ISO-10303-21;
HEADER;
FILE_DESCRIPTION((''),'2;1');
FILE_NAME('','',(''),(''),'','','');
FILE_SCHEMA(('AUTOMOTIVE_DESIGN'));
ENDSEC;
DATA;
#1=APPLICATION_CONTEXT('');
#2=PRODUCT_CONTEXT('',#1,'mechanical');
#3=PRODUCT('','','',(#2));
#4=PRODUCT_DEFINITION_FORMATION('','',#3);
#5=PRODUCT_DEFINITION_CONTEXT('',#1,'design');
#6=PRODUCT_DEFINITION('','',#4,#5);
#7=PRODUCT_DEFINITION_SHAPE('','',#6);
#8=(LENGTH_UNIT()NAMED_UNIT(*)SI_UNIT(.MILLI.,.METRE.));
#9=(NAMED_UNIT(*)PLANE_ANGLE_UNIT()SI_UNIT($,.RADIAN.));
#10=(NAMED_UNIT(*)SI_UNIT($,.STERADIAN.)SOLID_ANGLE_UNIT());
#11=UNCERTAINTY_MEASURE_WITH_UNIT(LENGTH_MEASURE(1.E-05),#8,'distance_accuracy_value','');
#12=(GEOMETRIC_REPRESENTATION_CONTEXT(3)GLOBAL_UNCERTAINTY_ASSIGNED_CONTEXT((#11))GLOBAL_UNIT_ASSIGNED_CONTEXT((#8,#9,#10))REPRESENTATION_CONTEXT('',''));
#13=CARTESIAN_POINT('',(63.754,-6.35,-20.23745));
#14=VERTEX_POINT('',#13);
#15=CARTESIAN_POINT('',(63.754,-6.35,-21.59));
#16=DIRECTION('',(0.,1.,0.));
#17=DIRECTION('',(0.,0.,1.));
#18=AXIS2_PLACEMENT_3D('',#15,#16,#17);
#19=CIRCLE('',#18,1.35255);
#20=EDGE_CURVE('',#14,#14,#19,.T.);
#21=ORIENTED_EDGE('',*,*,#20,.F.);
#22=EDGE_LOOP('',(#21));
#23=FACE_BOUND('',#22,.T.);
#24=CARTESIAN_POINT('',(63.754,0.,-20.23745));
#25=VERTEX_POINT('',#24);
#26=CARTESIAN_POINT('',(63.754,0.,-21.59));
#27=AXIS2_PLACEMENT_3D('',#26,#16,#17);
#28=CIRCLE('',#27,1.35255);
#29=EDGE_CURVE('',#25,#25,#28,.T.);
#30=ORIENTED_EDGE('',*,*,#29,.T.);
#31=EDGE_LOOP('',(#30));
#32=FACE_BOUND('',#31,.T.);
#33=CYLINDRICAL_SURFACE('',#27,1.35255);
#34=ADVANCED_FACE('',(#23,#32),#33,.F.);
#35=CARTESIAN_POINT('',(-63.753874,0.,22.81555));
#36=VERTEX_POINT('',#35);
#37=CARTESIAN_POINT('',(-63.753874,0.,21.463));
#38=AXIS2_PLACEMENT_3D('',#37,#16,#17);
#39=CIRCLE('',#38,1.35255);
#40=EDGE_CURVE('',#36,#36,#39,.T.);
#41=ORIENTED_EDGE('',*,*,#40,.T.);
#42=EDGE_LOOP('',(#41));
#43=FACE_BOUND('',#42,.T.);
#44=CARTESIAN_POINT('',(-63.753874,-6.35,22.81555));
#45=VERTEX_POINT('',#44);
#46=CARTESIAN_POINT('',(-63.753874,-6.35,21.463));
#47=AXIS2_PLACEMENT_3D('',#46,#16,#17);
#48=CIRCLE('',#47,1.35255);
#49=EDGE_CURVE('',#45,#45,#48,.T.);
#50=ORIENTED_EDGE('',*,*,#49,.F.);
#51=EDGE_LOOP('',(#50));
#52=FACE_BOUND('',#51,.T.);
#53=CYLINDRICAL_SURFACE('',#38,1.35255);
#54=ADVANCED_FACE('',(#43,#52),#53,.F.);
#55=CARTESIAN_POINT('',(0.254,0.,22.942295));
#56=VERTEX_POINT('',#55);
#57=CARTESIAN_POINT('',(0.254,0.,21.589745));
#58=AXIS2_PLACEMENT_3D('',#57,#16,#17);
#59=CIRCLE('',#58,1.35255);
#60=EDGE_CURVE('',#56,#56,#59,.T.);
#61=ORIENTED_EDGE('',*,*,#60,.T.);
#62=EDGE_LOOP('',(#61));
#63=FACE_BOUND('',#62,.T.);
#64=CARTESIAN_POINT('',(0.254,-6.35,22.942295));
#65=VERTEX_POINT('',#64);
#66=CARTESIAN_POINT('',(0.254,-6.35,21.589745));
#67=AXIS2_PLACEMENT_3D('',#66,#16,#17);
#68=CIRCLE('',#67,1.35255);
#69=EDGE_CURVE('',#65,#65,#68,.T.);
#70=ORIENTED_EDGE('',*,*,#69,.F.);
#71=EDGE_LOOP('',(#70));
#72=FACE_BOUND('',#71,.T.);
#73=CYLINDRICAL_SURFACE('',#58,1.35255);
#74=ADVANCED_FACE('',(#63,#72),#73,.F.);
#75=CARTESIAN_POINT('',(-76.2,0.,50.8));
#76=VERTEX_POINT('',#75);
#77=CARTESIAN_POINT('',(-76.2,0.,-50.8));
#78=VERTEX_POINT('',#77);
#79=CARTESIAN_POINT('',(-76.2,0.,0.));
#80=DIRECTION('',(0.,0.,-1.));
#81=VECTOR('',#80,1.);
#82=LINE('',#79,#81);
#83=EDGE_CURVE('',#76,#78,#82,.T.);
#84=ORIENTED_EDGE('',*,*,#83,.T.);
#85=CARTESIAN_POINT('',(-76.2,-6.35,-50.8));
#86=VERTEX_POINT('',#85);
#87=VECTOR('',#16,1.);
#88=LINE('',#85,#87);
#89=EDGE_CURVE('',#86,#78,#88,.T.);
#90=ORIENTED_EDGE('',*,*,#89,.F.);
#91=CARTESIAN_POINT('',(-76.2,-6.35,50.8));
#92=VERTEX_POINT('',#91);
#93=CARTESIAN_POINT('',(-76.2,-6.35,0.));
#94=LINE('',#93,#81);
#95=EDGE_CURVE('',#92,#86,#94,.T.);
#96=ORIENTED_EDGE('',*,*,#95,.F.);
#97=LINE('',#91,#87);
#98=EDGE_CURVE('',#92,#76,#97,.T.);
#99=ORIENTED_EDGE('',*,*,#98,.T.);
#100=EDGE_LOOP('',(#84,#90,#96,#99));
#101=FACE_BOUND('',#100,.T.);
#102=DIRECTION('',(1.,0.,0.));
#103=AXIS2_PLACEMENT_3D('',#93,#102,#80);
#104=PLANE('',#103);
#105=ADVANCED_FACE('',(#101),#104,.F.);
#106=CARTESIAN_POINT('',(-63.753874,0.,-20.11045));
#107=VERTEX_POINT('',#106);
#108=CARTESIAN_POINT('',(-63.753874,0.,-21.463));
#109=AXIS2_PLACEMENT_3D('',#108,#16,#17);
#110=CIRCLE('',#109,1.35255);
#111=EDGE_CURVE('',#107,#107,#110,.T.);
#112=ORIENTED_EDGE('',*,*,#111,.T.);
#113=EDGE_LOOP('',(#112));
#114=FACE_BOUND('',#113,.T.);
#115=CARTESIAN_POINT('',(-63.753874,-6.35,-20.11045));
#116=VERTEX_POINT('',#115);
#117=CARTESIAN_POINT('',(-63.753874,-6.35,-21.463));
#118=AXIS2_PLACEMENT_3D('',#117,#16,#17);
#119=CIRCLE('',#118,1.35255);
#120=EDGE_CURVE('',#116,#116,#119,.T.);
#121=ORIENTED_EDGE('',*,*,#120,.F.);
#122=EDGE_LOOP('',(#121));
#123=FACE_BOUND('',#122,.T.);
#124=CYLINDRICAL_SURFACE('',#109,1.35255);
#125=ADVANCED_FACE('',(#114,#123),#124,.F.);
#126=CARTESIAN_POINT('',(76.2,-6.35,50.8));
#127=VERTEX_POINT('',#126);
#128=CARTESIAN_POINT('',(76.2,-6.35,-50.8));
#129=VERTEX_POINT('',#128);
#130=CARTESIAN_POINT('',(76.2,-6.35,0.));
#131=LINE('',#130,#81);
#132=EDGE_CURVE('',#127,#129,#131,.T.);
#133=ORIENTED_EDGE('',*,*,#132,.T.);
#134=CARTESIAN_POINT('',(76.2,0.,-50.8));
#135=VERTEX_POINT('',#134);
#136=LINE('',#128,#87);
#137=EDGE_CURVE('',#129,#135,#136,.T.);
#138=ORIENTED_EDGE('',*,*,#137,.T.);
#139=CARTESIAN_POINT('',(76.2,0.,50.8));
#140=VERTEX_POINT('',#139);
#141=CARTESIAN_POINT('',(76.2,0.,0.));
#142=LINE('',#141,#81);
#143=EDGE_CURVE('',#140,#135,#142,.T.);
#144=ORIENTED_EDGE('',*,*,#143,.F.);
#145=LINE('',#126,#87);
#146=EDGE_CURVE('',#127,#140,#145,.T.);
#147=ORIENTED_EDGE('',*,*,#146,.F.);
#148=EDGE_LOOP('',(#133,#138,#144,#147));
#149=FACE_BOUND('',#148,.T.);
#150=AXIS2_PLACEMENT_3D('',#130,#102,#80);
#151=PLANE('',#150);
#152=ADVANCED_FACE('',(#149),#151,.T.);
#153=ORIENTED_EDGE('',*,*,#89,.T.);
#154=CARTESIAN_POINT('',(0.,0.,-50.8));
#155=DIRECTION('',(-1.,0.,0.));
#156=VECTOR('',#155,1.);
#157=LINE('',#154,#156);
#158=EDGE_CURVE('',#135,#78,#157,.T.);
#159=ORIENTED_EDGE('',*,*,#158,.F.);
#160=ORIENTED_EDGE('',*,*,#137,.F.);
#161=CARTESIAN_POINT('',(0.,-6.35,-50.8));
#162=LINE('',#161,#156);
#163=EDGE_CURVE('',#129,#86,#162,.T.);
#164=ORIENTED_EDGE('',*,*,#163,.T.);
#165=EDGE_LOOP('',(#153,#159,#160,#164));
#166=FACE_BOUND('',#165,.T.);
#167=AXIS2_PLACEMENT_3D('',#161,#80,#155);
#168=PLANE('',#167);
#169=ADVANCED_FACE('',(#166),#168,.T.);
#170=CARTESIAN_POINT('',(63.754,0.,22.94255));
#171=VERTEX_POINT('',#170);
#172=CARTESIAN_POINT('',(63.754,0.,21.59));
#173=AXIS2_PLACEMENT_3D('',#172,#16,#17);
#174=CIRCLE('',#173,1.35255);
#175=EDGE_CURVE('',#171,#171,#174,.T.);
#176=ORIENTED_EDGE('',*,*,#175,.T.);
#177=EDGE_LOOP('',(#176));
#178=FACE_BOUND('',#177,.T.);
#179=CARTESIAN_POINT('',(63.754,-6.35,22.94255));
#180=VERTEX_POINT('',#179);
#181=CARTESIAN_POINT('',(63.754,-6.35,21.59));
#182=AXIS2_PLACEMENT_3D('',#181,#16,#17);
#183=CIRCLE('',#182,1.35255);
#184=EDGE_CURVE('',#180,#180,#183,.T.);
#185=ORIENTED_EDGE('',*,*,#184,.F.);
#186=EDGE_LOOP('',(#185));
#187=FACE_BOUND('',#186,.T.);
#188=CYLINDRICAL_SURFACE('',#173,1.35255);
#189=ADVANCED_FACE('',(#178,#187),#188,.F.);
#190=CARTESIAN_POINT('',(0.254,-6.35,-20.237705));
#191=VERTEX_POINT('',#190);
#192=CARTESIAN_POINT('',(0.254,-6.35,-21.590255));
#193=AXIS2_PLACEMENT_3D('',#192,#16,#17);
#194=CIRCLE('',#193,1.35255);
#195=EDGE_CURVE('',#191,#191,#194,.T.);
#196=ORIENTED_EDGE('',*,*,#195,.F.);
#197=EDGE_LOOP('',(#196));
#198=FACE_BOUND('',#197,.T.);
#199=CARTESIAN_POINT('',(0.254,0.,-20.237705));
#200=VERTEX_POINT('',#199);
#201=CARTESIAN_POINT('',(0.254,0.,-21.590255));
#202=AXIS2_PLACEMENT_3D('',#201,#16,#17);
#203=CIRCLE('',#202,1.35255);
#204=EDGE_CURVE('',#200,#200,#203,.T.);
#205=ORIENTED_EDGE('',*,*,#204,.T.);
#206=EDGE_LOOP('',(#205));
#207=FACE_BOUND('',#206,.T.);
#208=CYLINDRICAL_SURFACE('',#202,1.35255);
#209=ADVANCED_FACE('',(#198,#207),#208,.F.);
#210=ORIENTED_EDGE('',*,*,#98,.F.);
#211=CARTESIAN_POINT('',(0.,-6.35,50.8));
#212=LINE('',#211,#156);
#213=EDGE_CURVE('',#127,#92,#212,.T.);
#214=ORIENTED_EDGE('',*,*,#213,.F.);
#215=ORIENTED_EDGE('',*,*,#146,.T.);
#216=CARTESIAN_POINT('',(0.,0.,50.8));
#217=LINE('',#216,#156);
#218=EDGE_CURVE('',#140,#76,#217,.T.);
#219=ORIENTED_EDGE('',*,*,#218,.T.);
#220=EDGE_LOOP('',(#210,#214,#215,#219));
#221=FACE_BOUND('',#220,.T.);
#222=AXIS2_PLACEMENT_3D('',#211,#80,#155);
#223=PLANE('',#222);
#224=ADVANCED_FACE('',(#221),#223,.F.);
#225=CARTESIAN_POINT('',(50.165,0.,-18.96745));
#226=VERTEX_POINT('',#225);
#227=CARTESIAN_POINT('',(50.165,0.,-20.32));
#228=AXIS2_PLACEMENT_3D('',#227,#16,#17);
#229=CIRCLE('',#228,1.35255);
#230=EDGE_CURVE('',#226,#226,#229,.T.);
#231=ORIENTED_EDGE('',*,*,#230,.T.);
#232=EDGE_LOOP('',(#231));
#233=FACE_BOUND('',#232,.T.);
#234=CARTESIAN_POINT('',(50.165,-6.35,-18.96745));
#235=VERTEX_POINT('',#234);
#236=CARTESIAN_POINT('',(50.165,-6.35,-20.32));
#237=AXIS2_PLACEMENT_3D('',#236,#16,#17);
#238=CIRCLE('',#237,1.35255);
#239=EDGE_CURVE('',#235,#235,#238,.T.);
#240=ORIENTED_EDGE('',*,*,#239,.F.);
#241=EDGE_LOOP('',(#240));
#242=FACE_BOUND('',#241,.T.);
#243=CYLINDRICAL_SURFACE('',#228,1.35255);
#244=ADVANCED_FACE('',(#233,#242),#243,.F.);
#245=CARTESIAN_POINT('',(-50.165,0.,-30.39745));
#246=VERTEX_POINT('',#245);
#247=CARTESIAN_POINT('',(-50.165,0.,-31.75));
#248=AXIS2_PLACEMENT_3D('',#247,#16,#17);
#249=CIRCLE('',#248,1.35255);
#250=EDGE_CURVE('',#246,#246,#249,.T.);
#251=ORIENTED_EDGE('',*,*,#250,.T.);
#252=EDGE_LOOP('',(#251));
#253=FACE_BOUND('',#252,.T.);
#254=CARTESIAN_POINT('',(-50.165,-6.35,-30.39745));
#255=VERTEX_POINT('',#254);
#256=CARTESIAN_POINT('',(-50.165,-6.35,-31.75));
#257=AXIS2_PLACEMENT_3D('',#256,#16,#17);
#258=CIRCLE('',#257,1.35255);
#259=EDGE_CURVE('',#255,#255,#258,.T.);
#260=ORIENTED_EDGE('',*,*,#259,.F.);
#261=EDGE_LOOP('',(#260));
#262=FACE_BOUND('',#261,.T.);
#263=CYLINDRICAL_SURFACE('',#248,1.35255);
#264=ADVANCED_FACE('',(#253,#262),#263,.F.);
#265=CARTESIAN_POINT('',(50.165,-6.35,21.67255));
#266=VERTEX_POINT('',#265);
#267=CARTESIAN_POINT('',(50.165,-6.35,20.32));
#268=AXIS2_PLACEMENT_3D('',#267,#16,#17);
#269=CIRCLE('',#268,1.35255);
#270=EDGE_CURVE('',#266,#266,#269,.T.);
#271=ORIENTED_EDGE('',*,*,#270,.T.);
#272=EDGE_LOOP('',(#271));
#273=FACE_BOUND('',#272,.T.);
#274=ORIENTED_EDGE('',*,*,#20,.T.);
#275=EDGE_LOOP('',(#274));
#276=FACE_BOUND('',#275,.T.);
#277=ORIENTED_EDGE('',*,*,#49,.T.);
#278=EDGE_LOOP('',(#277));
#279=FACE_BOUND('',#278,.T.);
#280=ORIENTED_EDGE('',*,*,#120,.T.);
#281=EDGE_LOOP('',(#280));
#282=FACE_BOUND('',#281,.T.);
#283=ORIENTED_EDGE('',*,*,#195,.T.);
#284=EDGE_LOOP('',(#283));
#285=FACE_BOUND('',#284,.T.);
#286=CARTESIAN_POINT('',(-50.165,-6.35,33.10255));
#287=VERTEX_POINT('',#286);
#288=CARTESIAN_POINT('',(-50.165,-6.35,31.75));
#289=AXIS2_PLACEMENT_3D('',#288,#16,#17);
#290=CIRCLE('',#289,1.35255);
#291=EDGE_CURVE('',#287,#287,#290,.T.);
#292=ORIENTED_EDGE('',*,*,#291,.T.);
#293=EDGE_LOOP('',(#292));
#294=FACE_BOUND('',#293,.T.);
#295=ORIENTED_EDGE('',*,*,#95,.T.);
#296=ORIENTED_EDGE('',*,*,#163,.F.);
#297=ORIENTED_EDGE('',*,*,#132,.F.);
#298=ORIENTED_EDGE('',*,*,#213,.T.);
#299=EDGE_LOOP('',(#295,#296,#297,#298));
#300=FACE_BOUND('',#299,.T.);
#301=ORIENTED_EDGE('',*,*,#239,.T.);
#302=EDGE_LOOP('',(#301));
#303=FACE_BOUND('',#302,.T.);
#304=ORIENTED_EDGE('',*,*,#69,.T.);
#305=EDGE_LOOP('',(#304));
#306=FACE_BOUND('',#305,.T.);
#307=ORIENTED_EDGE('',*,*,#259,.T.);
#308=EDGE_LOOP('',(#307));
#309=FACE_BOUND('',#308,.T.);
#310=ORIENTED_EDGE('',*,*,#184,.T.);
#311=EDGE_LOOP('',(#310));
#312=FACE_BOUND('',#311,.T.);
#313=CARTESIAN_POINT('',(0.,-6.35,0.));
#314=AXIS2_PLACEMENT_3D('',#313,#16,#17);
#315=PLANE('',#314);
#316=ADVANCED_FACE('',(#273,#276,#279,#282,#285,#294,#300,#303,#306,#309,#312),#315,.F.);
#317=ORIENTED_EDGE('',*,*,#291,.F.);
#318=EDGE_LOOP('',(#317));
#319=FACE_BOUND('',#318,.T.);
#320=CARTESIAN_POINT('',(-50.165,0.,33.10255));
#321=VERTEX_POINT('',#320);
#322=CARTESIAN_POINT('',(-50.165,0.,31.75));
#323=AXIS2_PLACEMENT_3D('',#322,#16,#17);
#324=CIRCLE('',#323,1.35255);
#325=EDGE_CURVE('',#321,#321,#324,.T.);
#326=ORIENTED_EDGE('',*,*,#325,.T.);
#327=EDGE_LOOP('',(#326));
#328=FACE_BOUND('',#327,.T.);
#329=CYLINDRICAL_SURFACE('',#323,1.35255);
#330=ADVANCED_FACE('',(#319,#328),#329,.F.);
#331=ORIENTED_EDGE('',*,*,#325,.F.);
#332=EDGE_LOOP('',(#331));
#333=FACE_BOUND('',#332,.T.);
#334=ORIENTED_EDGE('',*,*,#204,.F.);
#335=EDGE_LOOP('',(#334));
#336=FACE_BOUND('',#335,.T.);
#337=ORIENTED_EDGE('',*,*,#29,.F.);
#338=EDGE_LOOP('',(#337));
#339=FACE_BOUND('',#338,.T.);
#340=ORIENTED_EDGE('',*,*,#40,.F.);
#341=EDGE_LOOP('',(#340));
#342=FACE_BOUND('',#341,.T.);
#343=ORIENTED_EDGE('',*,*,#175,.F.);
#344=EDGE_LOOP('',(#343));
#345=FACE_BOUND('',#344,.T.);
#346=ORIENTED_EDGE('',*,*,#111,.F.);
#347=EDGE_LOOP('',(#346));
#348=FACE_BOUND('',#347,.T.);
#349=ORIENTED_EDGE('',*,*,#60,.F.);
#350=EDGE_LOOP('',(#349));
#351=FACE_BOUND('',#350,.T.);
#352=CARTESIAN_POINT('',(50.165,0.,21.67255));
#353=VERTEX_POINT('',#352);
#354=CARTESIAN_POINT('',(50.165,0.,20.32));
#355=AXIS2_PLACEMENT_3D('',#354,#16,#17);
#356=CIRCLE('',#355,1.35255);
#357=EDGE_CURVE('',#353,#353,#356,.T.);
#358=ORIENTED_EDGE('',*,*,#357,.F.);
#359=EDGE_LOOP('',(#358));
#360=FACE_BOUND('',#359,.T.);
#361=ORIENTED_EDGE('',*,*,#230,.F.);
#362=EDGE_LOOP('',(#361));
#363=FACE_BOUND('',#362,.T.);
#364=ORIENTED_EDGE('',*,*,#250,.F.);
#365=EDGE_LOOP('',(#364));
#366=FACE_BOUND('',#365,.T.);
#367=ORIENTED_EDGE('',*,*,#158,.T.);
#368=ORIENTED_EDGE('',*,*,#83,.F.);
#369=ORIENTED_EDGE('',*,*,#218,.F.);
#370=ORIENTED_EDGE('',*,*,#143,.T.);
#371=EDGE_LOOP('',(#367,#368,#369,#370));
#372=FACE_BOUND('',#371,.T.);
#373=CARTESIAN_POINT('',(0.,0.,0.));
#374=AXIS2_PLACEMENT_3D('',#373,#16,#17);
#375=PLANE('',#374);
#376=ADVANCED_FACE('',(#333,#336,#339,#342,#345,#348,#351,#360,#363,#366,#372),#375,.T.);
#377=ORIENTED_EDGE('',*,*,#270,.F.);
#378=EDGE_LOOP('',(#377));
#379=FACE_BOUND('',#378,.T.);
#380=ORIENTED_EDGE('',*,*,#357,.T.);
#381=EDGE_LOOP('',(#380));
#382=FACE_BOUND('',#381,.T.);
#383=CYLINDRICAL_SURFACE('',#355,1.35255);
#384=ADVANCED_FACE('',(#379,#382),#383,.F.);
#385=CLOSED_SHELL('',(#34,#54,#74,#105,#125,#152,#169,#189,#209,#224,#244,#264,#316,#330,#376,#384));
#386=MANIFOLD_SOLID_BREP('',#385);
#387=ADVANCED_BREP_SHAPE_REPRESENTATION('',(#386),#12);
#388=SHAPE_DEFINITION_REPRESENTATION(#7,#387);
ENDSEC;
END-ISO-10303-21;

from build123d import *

# Parameters (mm, degrees)
SKETCH1_W                 = 152.4
SKETCH1_H                 = 101.6
SKETCH1_W_2               = 127.508
SKETCH1_H_2               = 42.926
SKETCH1_W_3               = 64.008
SKETCH1_W_4               = 63.5
BOSS_EXTRUDE1_DEPTH       = 6.35
TAP_DRILL_FOR_6_32_TAP2_D = 2.7051
TAP_DRILL_FOR_6_32_TAP5_D = 2.7051


with BuildPart() as part:
    # Sketch1 → Boss-Extrude1 (new body)
    # profile 1 of 3: a face of its own
    with BuildSketch(Plane(origin=(0, 0, 0), x_dir=(1, 0, 0), z_dir=(0, 1, 0))):
        Rectangle(SKETCH1_W, SKETCH1_H)
        Rectangle(SKETCH1_W_2, SKETCH1_H_2, mode=Mode.SUBTRACT)
    # profile 2 of 3: a face of its own
    with BuildSketch(Plane(origin=(0, 0, 0), x_dir=(1, 0, 0), z_dir=(0, 1, 0))):
        with Locations((-31.75, 0)):
            Rectangle(SKETCH1_W_3, SKETCH1_H_2)
    # profile 3 of 3: a face of its own
    with BuildSketch(Plane(origin=(0, 0, 0), x_dir=(1, 0, 0), z_dir=(0, 1, 0))):
        with Locations((32.004, 0)):
            Rectangle(SKETCH1_W_4, SKETCH1_H_2)
    extrude(amount=-BOSS_EXTRUDE1_DEPTH)

    # Tap Drill for #6-32 Tap2 (through all)
    with Locations(Plane(origin=(-63.753873504, 0, -21.463), x_dir=(0, 0, 1), z_dir=(0, 1, 0))):
        with Locations((0, 0), (-0.1272545, 64.007873503), (-0.127, 127.507873502), (43.053, 127.507873502), (43.0527455, 64.007873503), (42.926, 0)):
            Hole(TAP_DRILL_FOR_6_32_TAP2_D / 2)

    # Tap Drill for #6-32 Tap5 (through all)
    with Locations(Plane(origin=(-50.165, 0, -31.75), x_dir=(0, 0, 1), z_dir=(0, 1, 0))):
        with Locations((0, 0), (63.5, 0), (52.07, 100.33), (11.43, 100.33)):
            Hole(TAP_DRILL_FOR_6_32_TAP5_D / 2)


solid = part.part
